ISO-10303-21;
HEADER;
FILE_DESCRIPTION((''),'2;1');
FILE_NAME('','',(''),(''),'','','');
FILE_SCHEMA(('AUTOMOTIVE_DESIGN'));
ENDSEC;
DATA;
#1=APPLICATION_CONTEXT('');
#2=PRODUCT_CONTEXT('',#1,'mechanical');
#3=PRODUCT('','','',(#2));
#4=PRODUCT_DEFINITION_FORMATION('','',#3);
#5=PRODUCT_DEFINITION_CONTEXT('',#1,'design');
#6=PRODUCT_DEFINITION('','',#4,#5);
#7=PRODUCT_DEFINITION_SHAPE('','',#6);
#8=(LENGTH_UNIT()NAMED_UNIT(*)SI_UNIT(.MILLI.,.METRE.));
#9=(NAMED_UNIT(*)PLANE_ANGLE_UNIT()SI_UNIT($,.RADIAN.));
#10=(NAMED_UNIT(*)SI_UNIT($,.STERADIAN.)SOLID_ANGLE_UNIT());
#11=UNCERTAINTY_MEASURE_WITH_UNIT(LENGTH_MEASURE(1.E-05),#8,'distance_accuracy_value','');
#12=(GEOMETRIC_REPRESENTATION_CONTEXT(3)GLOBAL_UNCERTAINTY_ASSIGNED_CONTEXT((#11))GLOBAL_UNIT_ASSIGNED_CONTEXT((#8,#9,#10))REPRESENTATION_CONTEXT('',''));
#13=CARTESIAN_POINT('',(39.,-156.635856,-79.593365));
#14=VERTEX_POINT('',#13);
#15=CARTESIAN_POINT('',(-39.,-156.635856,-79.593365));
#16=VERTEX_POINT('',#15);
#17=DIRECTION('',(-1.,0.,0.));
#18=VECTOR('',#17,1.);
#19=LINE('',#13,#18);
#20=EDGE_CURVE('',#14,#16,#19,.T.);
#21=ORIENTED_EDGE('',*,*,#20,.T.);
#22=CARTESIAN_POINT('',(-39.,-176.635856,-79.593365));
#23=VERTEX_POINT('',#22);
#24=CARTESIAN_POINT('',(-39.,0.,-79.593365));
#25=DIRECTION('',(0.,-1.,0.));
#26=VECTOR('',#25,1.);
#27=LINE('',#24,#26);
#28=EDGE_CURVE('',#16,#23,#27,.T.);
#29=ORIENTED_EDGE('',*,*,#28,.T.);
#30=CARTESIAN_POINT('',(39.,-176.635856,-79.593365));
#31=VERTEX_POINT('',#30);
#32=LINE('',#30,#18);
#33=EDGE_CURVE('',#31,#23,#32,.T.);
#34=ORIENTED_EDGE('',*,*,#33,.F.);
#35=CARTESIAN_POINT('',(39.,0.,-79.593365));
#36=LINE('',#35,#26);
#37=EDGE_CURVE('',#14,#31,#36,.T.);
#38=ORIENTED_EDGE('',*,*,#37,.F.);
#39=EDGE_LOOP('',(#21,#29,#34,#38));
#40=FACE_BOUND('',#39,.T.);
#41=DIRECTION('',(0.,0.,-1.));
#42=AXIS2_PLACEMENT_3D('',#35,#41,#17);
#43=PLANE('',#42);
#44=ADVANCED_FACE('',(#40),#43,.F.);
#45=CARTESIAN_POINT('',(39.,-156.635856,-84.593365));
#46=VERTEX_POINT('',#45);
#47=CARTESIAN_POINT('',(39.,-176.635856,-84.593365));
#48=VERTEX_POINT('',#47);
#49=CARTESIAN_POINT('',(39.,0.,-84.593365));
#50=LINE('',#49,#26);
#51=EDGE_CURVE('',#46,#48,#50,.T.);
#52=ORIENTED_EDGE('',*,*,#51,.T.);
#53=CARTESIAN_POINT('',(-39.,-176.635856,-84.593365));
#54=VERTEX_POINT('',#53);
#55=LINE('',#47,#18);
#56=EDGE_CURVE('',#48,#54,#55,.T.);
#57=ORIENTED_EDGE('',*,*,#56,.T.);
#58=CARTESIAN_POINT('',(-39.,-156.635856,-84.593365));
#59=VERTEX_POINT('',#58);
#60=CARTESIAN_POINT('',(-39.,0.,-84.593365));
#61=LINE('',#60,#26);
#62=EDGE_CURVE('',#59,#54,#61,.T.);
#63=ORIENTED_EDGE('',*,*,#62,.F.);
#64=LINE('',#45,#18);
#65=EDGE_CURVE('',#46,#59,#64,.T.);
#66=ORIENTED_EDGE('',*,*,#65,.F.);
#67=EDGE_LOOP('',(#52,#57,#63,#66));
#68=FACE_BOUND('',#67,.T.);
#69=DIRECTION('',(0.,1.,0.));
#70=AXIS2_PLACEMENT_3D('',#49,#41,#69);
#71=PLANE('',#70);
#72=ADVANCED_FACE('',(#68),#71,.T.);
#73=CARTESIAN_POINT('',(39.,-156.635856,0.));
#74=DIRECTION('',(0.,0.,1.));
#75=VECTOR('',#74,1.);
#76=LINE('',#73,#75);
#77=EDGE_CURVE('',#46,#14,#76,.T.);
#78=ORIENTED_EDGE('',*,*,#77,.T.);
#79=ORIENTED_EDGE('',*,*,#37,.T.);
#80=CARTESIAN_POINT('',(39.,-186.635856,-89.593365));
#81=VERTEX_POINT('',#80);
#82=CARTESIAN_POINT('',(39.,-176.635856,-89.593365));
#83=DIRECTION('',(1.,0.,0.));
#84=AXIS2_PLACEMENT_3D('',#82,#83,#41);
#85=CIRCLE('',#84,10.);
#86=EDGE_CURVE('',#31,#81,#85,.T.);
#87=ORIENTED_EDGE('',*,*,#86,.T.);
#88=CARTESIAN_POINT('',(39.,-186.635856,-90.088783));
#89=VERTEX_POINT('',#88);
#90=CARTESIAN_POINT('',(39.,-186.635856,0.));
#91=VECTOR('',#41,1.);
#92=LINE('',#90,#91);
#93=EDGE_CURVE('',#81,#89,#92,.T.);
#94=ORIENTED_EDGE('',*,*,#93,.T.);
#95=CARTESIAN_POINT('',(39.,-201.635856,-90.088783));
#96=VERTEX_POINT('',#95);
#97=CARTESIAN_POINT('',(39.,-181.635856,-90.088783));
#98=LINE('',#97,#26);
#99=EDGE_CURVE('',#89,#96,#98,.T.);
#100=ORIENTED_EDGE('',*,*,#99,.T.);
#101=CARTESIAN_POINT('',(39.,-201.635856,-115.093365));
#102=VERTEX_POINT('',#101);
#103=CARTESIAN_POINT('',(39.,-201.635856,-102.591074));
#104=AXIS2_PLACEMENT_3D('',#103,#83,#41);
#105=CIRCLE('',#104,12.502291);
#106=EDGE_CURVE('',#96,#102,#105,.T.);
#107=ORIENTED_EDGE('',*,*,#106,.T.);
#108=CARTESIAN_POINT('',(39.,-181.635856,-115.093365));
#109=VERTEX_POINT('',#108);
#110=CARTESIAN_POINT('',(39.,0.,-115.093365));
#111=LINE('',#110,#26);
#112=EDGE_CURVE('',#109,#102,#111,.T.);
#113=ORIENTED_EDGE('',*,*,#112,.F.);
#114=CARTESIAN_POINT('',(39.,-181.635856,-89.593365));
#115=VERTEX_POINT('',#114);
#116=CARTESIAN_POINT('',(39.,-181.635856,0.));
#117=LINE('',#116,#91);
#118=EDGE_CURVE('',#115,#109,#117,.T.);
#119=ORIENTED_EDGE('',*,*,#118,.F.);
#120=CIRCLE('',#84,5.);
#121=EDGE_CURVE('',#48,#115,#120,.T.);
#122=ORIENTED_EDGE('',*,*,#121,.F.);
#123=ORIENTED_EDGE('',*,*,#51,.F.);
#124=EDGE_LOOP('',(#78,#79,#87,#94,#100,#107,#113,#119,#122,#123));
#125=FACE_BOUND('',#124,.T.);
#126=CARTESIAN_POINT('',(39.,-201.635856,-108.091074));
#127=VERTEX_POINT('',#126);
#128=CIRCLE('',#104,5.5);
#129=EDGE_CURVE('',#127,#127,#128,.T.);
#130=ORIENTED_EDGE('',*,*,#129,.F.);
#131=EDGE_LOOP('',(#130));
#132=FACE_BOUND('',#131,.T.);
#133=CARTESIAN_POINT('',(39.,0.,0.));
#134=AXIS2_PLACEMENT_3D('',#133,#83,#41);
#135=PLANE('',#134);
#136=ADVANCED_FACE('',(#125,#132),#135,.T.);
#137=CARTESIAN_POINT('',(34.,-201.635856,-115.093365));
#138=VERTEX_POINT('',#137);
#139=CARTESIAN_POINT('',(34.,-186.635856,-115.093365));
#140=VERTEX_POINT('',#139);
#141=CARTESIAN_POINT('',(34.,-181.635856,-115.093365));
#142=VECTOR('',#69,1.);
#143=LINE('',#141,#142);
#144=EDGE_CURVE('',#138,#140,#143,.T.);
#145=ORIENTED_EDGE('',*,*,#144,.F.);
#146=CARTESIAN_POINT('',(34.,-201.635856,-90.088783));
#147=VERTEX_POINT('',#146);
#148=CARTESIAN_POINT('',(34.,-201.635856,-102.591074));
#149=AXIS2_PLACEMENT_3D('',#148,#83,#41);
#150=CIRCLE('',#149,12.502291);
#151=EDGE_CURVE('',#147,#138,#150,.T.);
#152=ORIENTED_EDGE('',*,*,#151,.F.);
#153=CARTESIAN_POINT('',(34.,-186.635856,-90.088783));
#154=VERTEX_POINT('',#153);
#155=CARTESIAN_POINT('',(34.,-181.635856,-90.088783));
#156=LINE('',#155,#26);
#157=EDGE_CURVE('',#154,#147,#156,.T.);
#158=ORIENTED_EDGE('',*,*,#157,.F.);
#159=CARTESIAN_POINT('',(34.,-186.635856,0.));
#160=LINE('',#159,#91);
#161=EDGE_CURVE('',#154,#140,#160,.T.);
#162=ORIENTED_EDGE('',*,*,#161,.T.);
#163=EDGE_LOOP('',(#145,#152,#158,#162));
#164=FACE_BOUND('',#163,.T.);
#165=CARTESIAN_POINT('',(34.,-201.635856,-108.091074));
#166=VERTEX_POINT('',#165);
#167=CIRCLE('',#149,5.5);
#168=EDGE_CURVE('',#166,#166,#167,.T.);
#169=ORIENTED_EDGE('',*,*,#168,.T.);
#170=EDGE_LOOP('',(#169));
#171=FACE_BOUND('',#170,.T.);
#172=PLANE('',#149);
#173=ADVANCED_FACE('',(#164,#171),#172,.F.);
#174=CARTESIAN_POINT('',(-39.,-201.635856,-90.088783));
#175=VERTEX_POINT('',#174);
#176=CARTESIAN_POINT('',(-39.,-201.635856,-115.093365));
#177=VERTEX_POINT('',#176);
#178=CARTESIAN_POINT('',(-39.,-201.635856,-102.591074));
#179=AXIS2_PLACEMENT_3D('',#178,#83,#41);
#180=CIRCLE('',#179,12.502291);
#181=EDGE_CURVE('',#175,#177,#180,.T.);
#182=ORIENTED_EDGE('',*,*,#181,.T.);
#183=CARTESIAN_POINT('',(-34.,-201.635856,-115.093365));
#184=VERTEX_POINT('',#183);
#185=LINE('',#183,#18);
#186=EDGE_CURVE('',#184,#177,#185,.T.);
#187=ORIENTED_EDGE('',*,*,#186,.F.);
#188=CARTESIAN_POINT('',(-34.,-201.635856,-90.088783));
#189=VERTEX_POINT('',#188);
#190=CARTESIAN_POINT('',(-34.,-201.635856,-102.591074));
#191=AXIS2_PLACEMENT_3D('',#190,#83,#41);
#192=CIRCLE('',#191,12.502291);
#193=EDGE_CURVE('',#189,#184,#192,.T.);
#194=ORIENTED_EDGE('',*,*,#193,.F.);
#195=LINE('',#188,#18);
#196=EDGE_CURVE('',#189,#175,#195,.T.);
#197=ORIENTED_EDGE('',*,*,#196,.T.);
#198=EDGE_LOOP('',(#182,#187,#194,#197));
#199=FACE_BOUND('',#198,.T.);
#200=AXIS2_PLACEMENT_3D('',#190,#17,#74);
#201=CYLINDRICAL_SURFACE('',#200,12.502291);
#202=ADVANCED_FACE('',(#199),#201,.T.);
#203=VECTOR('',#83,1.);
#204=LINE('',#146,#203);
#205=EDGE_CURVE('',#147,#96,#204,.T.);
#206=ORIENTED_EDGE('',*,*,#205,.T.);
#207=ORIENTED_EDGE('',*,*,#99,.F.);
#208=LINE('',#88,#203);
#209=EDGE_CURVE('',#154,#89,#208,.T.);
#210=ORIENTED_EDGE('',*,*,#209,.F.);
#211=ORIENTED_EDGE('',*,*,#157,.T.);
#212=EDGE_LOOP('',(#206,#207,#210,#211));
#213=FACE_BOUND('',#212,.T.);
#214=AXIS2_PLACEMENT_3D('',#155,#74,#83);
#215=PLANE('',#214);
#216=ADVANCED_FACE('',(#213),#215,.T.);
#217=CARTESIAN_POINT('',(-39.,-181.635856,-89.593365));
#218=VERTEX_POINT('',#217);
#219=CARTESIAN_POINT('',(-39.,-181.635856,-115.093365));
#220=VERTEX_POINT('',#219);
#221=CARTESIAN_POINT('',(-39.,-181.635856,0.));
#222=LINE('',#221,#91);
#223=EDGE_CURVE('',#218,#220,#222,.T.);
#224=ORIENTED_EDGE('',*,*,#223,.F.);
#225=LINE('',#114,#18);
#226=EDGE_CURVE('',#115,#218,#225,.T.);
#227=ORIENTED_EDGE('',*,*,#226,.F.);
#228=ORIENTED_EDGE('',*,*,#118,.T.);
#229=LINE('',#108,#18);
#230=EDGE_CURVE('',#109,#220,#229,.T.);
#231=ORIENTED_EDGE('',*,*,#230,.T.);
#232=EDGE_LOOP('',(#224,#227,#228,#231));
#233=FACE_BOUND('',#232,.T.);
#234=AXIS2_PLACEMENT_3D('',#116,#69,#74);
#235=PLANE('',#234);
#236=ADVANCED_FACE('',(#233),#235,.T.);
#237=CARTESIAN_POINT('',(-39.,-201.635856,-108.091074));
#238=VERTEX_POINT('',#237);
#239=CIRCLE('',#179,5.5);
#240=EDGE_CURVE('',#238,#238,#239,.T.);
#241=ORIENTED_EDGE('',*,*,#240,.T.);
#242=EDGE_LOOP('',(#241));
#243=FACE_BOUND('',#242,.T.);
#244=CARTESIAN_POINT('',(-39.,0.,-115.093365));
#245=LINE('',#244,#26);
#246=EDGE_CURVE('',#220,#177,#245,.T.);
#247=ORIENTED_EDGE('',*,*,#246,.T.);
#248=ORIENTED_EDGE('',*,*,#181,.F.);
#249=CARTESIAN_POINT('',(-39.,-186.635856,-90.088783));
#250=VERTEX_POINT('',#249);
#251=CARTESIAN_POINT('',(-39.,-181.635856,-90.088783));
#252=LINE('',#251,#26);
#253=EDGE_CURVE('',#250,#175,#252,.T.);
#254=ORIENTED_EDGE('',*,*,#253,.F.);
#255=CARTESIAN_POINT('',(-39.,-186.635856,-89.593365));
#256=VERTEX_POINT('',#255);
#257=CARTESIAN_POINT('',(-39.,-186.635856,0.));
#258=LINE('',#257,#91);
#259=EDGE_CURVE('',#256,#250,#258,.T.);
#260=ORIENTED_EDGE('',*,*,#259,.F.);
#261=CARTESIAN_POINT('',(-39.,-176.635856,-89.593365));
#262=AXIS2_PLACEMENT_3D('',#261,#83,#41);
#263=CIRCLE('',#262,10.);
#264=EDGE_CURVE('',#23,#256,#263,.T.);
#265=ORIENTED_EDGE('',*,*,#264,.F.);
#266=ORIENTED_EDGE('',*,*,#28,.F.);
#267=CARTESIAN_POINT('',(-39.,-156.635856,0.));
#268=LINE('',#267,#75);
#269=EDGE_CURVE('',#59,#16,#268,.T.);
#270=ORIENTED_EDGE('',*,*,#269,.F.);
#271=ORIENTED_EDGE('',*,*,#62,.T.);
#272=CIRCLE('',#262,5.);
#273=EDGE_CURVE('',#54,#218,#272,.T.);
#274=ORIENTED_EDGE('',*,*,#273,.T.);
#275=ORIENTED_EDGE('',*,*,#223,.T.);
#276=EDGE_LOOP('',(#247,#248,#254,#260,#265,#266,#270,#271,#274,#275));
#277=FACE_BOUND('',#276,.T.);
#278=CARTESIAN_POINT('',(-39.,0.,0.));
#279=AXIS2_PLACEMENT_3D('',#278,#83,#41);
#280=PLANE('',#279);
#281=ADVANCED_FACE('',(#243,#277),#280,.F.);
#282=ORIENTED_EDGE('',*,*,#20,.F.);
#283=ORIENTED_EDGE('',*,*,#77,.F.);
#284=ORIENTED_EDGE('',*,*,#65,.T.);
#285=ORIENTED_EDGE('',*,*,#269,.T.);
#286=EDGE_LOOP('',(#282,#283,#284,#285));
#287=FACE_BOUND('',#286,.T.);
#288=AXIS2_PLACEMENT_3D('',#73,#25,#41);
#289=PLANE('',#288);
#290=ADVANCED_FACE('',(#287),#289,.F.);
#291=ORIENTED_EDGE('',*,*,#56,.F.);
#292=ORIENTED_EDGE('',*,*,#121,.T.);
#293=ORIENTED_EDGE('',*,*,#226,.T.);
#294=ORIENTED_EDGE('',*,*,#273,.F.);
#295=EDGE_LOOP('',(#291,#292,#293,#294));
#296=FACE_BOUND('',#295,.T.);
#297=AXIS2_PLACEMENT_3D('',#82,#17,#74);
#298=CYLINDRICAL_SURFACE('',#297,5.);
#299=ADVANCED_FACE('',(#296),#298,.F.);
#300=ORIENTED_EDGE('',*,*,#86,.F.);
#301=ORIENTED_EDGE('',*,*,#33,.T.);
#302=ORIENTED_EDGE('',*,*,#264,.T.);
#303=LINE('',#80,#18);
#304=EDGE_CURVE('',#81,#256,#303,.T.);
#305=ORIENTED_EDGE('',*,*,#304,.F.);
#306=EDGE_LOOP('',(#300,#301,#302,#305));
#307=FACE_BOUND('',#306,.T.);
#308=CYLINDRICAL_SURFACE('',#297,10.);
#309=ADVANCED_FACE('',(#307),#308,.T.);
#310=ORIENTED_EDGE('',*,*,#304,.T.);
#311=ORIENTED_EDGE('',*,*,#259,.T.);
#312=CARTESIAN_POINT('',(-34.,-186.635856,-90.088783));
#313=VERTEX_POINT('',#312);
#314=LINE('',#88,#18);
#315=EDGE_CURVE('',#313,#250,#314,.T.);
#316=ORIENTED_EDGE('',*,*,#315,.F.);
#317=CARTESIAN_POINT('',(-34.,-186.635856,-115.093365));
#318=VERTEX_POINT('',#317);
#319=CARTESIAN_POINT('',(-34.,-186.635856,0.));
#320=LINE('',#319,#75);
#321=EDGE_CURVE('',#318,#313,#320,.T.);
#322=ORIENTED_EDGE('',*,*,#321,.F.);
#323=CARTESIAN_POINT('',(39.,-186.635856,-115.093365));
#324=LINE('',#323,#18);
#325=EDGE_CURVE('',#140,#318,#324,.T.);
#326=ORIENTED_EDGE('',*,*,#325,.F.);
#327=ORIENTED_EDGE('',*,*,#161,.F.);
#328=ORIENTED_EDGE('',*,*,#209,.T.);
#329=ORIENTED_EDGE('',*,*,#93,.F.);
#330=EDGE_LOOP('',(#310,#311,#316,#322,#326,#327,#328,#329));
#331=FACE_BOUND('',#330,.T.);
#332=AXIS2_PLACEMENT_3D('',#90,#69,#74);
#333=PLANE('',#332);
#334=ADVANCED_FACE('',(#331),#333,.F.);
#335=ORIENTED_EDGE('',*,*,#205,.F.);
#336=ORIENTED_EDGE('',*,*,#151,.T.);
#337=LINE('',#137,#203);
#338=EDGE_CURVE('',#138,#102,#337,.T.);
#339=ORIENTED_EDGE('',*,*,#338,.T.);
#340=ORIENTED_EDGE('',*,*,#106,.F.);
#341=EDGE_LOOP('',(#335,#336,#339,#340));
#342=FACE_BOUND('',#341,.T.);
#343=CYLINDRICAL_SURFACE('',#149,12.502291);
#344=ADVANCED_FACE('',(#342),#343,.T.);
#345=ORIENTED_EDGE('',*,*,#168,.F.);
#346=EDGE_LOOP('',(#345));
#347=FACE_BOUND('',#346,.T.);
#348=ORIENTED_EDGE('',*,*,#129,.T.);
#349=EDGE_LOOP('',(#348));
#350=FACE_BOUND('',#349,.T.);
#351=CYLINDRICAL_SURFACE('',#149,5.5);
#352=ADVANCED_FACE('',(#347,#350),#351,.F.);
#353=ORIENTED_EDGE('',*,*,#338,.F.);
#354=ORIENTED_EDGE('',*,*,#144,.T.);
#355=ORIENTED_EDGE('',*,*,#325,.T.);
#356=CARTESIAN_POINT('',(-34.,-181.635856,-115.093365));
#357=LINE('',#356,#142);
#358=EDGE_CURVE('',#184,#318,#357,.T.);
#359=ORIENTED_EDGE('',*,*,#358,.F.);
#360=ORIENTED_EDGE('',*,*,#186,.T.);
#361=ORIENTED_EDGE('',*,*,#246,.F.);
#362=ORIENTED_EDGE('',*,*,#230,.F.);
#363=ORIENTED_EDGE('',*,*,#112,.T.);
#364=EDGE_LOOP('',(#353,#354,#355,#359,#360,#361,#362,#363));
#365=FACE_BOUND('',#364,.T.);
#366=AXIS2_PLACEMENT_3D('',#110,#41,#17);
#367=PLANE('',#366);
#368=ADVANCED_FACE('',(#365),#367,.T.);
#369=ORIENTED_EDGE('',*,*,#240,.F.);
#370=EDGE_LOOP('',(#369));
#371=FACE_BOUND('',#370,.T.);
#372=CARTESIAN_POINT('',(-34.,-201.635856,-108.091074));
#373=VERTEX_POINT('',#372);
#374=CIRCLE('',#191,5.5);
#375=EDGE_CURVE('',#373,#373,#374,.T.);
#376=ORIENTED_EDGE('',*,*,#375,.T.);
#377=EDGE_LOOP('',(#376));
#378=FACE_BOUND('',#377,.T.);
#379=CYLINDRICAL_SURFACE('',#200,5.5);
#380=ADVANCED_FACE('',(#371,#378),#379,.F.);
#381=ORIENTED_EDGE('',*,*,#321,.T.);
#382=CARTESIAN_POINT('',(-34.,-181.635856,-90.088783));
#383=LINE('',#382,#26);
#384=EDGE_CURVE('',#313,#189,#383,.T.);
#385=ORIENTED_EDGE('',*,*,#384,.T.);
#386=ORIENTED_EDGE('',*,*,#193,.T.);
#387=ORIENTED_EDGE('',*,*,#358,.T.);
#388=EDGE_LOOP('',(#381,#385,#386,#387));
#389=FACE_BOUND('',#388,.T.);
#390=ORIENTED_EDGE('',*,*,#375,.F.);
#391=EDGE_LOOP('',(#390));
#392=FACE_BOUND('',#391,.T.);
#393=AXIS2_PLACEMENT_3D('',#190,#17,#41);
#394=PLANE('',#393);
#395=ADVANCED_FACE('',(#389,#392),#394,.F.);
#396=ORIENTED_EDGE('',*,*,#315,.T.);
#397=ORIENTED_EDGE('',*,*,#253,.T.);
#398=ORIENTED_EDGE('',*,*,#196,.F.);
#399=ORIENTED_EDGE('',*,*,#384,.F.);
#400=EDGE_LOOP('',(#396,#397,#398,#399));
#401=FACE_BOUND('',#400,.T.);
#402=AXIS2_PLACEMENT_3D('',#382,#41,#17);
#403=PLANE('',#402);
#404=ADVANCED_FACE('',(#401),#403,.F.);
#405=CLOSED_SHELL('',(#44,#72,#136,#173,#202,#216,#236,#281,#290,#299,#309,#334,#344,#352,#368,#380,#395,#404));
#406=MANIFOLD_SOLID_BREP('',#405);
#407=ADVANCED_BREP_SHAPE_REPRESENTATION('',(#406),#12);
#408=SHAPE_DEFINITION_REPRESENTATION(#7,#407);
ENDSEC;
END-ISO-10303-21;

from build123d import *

# Parameters (mm, degrees)
BOSS_EXTRUDE1_DEPTH = 39
SKETCH3_R           = 5.5
BOSS_EXTRUDE2_DEPTH = 5


with BuildPart() as part:
    # Sketch1 → Boss-Extrude1 (new, symmetric)
    with BuildSketch(Plane.YZ):
        with BuildLine():
            Line((-156.635856385, -79.593365073), (-176.635856385, -79.593365073))
            ThreePointArc((-176.635856385, -79.593365073), (-183.706924197, -82.522297262), (-186.635856385, -89.593365073))
            Line((-186.635856385, -89.593365073), (-186.635856385, -115.093365073))
            Line((-186.635856385, -115.093365073), (-181.635856385, -115.093365073))
            Line((-181.635856385, -115.093365073), (-181.635856385, -89.593365073))
            ThreePointArc((-181.635856385, -89.593365073), (-180.171390291, -86.057831168), (-176.635856385, -84.593365073))
            Line((-176.635856385, -84.593365073), (-156.635856385, -84.593365073))
            Line((-156.635856385, -84.593365073), (-156.635856385, -79.593365073))
        make_face()
    extrude(amount=BOSS_EXTRUDE1_DEPTH, both=True)

    # Sketch3 → Boss-Extrude2 (add)
    with BuildSketch(Plane.YZ.offset(39)):
        with BuildLine():
            Line((-181.635856385, -115.093365073), (-201.635856385, -115.093365073))
            ThreePointArc((-201.635856385, -115.093365073), (-214.13814738, -102.591074078), (-201.635856385, -90.088783083))
            Line((-201.635856385, -90.088783083), (-181.635856385, -90.088783083))
            Line((-181.635856385, -90.088783083), (-181.635856385, -115.093365073))
        make_face()
        with Locations(Location((-201.635856385, -102.591074078, 0), (0, 0, 270))):
            Circle(SKETCH3_R, mode=Mode.SUBTRACT)
    boss_extrude2 = extrude(amount=-BOSS_EXTRUDE2_DEPTH)

    # Mirror1: Boss-Extrude2 across plane
    add(boss_extrude2.mirror(Plane(origin=(0, 0, 0), x_dir=(0, 0, 1), z_dir=(1, 0, 0))))


solid = part.part
